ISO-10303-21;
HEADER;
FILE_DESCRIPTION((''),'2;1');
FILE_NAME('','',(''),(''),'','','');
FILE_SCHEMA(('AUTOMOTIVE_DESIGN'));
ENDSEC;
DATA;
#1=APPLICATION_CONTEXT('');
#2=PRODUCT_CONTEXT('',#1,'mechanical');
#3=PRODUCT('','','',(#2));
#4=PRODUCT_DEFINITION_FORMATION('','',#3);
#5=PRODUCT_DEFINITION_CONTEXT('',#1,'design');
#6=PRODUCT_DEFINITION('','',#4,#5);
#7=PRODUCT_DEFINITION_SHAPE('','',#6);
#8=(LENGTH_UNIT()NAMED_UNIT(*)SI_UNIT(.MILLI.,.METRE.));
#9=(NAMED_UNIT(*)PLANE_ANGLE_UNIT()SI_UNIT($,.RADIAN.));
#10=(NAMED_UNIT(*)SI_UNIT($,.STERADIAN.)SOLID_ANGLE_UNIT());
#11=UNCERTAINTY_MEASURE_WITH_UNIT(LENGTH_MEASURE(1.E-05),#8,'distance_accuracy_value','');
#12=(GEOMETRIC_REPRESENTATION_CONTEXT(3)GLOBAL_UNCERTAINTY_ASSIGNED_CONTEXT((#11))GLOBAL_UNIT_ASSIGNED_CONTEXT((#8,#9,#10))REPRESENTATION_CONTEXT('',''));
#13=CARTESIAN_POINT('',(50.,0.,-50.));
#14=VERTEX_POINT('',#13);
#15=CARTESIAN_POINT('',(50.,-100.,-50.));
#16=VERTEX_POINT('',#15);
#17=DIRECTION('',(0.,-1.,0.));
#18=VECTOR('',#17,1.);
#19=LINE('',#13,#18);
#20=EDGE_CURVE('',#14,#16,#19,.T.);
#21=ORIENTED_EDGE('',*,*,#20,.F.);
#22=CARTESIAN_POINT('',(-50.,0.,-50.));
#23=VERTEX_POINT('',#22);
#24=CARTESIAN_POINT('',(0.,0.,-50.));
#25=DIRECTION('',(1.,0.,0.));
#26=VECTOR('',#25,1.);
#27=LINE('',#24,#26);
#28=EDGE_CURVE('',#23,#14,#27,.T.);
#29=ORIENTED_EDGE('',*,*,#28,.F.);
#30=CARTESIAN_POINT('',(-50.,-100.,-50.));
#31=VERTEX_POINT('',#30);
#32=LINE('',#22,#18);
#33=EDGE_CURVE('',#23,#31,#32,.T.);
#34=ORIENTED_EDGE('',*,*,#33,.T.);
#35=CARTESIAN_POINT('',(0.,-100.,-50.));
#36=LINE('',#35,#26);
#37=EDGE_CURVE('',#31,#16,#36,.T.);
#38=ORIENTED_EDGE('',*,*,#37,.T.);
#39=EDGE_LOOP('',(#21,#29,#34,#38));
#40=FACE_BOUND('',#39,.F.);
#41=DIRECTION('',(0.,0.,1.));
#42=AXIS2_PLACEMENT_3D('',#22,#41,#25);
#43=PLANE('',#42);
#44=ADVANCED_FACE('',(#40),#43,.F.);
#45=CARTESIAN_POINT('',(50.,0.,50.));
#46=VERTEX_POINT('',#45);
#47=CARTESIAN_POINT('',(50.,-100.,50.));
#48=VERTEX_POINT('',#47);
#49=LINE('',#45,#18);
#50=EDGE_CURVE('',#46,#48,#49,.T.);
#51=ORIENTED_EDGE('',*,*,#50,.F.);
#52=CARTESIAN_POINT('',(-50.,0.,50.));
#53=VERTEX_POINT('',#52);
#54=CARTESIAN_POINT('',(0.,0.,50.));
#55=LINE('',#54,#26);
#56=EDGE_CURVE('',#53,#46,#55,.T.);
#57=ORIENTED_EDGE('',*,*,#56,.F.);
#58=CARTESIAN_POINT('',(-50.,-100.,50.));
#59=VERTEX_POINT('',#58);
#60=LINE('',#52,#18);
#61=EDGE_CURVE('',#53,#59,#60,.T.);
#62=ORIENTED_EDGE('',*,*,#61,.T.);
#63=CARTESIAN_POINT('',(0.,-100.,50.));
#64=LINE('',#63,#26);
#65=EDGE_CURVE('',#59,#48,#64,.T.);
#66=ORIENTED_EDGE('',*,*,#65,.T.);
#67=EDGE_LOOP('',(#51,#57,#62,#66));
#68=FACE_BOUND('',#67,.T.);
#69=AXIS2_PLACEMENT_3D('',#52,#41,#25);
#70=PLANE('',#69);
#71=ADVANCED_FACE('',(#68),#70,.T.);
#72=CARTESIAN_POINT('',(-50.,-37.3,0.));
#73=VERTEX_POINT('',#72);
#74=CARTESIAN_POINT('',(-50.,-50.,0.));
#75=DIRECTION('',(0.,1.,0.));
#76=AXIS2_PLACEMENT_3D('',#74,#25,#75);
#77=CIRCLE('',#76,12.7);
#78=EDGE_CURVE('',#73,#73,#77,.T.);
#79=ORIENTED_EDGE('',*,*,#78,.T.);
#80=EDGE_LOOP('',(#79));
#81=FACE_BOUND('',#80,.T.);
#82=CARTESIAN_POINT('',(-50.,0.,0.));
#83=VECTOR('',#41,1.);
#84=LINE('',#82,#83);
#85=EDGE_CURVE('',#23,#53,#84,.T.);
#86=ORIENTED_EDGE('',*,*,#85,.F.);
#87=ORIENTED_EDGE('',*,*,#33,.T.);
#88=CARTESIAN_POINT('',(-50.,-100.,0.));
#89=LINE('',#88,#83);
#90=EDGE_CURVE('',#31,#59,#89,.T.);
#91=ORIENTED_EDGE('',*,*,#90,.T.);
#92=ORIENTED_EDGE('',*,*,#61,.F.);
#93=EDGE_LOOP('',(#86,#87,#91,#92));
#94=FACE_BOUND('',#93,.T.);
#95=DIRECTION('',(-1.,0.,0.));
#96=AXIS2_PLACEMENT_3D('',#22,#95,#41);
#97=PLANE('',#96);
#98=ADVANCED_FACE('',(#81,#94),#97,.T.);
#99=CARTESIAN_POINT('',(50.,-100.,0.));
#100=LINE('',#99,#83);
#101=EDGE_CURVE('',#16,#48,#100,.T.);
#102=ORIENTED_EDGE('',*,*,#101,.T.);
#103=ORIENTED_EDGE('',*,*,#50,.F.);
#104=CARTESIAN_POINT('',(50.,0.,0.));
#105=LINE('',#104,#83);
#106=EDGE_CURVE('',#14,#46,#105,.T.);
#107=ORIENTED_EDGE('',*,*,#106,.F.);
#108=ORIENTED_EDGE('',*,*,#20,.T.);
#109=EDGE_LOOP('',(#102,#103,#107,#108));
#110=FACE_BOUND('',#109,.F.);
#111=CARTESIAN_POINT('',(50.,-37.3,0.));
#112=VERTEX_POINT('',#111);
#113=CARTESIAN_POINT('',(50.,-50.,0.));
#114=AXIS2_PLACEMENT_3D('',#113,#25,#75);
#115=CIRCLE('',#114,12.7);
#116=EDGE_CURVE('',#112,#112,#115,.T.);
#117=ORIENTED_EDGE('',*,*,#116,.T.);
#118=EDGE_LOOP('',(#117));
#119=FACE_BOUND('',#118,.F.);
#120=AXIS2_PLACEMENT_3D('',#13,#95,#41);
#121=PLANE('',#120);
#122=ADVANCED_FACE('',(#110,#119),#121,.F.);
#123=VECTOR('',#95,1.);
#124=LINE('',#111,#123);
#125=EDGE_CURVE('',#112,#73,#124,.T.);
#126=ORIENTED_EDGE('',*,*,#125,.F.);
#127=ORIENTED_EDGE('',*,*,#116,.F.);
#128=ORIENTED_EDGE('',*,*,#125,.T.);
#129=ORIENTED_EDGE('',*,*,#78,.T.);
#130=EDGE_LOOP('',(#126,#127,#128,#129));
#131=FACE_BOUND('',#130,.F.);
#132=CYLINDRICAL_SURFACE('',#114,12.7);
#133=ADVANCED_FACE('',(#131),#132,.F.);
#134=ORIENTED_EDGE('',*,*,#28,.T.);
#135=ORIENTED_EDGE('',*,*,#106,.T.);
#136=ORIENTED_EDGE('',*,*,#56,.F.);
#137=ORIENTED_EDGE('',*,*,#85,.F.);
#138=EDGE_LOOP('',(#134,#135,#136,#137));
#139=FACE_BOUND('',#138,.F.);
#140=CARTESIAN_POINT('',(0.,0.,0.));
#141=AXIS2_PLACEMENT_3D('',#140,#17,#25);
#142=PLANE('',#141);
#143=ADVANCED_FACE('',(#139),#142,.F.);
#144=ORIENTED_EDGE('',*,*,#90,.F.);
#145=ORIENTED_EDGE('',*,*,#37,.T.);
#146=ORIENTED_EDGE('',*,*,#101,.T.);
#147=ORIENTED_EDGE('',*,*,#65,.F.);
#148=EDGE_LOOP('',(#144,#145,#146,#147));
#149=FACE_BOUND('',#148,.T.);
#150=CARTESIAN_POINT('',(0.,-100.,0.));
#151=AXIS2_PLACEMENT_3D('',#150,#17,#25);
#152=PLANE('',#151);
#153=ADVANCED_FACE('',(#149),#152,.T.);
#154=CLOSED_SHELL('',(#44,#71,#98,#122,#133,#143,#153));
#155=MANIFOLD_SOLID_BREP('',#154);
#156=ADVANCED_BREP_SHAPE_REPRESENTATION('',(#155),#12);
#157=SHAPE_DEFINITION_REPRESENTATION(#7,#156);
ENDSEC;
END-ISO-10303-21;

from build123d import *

# Parameters (mm, degrees)
F0_W     = 100
F0_H     = 100
F1_DEPTH = 100
F2_R     = 12.7
F3_DEPTH = 100.001


with BuildPart() as f1:
    # F0 (on Front) → F1 (new body)
    with BuildSketch(Plane.XZ):
        Rectangle(F0_W, F0_H)
    extrude(amount=F1_DEPTH)

    # F2 (on face) → F3 (cut, through all)
    with BuildSketch(Plane.YZ.offset(50)):
        with Locations((-50, 0)):
            Circle(F2_R)
    extrude(amount=-F3_DEPTH, mode=Mode.SUBTRACT)


solid = f1.part
